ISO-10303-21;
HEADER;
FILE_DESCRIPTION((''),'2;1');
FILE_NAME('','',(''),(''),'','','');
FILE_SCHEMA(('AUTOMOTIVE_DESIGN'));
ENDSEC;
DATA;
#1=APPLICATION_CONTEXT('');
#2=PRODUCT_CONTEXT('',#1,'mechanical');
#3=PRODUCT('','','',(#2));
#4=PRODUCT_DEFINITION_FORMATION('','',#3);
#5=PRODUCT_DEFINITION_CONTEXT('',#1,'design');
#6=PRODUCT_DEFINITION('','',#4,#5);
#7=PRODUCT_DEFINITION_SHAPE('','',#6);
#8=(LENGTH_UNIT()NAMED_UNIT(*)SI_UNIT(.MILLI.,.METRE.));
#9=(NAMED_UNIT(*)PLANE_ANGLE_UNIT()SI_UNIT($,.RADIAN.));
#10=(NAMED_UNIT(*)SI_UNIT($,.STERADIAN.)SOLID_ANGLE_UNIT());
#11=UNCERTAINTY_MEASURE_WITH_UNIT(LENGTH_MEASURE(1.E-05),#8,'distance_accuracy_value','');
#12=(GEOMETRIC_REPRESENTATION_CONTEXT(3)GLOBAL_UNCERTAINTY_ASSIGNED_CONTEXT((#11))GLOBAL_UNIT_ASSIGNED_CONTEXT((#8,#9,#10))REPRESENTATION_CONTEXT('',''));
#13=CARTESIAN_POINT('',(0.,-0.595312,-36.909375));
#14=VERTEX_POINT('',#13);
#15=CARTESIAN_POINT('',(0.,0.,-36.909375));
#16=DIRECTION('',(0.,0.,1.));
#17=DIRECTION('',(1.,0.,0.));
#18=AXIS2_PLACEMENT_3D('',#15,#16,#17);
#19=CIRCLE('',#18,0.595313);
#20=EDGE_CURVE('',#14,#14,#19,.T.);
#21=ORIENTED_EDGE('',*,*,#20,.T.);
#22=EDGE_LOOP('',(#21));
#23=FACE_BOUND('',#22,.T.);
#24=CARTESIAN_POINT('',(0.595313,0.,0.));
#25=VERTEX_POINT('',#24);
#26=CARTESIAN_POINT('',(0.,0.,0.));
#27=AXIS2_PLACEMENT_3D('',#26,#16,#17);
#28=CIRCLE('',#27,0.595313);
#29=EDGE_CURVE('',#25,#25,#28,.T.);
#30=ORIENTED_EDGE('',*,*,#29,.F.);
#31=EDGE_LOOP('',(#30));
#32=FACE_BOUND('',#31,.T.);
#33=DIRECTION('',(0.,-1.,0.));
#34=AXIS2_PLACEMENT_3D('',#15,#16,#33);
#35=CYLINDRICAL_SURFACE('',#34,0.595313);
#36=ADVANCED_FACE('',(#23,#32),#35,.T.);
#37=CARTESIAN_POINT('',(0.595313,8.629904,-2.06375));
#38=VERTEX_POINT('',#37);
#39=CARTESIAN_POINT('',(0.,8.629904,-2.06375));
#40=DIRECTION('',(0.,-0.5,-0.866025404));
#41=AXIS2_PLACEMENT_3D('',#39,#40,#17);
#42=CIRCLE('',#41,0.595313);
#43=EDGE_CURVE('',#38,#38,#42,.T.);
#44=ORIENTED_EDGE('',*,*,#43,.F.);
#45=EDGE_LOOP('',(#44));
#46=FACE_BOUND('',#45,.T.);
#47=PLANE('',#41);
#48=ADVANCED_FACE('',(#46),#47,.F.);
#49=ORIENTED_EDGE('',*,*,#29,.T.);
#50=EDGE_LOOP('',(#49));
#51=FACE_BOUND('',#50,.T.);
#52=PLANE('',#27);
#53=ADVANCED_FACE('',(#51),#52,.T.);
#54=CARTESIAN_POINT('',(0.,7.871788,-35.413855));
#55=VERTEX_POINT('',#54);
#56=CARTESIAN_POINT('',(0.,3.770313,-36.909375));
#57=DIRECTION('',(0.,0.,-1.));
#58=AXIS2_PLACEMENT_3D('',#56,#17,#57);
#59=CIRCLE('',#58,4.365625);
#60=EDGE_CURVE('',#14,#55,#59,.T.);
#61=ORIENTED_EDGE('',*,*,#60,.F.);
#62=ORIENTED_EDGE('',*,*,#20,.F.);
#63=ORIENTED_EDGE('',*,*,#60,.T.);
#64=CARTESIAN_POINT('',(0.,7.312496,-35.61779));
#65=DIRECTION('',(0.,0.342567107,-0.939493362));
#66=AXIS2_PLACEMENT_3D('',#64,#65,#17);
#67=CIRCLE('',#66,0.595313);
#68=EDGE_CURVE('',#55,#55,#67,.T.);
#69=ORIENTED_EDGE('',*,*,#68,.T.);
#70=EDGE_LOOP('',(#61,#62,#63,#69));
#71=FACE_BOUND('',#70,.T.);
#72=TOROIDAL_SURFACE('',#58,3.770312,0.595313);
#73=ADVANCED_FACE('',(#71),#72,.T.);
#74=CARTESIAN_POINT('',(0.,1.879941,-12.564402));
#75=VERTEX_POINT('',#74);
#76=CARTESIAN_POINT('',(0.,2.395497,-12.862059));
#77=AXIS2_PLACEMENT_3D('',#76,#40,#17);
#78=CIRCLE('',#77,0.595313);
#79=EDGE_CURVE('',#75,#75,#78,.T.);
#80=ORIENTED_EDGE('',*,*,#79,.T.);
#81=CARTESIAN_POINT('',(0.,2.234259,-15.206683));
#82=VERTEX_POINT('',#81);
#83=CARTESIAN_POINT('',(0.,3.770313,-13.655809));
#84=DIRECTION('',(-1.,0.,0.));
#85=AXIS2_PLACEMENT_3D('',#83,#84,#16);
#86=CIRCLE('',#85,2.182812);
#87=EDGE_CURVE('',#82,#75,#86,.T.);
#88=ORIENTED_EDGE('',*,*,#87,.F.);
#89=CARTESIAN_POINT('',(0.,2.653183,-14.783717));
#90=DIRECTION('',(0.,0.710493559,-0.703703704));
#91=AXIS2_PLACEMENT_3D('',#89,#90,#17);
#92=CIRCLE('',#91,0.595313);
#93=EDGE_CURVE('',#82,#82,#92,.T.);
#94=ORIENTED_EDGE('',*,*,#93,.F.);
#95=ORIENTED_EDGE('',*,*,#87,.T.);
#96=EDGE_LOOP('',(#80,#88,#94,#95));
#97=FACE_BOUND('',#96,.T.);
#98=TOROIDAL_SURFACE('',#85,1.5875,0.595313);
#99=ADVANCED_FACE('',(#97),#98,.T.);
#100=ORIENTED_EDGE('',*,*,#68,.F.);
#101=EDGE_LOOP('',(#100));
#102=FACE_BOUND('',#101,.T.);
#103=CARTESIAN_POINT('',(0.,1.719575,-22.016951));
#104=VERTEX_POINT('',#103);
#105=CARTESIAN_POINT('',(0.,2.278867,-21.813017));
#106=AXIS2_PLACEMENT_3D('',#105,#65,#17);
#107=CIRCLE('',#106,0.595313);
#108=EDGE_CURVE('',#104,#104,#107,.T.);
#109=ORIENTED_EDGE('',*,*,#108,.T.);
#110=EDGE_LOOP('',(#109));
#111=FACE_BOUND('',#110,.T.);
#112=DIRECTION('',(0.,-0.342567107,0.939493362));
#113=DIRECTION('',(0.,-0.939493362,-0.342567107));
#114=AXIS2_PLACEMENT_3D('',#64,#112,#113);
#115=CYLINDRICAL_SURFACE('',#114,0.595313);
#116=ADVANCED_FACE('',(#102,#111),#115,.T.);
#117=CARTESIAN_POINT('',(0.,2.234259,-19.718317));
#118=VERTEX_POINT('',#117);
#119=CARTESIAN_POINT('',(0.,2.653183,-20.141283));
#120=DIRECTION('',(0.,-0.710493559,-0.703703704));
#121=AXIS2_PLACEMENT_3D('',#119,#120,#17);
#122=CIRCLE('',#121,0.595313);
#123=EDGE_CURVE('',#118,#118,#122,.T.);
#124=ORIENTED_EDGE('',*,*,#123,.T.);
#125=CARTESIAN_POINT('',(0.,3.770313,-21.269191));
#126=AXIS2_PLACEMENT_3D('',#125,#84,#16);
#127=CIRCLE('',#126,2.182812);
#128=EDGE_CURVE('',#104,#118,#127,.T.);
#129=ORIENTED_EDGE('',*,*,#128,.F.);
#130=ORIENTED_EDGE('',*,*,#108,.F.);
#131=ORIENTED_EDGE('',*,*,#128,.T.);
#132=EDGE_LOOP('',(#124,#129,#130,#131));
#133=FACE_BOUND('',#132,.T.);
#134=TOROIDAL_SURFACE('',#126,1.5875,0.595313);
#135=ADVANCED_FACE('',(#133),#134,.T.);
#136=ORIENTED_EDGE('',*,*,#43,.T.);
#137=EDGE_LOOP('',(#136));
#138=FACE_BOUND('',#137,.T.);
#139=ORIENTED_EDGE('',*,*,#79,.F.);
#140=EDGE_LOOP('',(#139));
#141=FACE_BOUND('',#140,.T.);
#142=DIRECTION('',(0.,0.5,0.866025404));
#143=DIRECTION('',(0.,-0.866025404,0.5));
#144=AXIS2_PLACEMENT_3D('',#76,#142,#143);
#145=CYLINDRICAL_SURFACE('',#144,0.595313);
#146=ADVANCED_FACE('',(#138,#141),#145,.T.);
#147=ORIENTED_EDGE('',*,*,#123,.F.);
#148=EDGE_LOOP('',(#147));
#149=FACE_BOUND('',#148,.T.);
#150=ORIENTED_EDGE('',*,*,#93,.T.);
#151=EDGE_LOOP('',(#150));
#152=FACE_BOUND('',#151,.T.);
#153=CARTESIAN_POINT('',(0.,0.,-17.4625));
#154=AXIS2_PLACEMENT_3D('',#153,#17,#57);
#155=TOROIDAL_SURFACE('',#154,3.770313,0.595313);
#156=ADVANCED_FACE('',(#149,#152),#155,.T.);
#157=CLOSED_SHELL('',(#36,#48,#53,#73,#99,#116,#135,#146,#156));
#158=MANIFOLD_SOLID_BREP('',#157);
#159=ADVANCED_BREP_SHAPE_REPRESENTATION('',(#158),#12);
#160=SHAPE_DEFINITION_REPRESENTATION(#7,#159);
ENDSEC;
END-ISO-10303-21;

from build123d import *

# Parameters (mm, degrees)
SKETCH1_R = 0.5953125


with BuildPart() as part:
    # Sweep1: sweep along a path in Sketch2
    with BuildLine(Plane(origin=(0, 0, 0), x_dir=(0, 0, -1), z_dir=(1, 0, 0))) as sweep1_path:
        Line((0, 0), (36.909375, 0))
        ThreePointArc((36.909375, 0), (40.622217262, 4.426101099), (35.617789953, 7.312496066))
        Line((35.617789953, 7.312496066), (21.813016555, 2.278866788))
        ThreePointArc((21.813016555, 2.278866788), (20.922324668, 2.221170864), (20.141282747, 2.65318287))
        ThreePointArc((20.141282747, 2.65318287), (17.4625, 3.7703125), (14.783717253, 2.65318287))
        ThreePointArc((14.783717253, 2.65318287), (13.866796784, 2.196895743), (12.862058728, 2.395497171))
        Line((12.862058728, 2.395497171), (2.06375, 8.629903623))
    # Sketch1 → Sweep1 (sweep)
    with BuildSketch(Plane.XY):
        Circle(SKETCH1_R)
    sweep(path=sweep1_path.line)


solid = part.part
